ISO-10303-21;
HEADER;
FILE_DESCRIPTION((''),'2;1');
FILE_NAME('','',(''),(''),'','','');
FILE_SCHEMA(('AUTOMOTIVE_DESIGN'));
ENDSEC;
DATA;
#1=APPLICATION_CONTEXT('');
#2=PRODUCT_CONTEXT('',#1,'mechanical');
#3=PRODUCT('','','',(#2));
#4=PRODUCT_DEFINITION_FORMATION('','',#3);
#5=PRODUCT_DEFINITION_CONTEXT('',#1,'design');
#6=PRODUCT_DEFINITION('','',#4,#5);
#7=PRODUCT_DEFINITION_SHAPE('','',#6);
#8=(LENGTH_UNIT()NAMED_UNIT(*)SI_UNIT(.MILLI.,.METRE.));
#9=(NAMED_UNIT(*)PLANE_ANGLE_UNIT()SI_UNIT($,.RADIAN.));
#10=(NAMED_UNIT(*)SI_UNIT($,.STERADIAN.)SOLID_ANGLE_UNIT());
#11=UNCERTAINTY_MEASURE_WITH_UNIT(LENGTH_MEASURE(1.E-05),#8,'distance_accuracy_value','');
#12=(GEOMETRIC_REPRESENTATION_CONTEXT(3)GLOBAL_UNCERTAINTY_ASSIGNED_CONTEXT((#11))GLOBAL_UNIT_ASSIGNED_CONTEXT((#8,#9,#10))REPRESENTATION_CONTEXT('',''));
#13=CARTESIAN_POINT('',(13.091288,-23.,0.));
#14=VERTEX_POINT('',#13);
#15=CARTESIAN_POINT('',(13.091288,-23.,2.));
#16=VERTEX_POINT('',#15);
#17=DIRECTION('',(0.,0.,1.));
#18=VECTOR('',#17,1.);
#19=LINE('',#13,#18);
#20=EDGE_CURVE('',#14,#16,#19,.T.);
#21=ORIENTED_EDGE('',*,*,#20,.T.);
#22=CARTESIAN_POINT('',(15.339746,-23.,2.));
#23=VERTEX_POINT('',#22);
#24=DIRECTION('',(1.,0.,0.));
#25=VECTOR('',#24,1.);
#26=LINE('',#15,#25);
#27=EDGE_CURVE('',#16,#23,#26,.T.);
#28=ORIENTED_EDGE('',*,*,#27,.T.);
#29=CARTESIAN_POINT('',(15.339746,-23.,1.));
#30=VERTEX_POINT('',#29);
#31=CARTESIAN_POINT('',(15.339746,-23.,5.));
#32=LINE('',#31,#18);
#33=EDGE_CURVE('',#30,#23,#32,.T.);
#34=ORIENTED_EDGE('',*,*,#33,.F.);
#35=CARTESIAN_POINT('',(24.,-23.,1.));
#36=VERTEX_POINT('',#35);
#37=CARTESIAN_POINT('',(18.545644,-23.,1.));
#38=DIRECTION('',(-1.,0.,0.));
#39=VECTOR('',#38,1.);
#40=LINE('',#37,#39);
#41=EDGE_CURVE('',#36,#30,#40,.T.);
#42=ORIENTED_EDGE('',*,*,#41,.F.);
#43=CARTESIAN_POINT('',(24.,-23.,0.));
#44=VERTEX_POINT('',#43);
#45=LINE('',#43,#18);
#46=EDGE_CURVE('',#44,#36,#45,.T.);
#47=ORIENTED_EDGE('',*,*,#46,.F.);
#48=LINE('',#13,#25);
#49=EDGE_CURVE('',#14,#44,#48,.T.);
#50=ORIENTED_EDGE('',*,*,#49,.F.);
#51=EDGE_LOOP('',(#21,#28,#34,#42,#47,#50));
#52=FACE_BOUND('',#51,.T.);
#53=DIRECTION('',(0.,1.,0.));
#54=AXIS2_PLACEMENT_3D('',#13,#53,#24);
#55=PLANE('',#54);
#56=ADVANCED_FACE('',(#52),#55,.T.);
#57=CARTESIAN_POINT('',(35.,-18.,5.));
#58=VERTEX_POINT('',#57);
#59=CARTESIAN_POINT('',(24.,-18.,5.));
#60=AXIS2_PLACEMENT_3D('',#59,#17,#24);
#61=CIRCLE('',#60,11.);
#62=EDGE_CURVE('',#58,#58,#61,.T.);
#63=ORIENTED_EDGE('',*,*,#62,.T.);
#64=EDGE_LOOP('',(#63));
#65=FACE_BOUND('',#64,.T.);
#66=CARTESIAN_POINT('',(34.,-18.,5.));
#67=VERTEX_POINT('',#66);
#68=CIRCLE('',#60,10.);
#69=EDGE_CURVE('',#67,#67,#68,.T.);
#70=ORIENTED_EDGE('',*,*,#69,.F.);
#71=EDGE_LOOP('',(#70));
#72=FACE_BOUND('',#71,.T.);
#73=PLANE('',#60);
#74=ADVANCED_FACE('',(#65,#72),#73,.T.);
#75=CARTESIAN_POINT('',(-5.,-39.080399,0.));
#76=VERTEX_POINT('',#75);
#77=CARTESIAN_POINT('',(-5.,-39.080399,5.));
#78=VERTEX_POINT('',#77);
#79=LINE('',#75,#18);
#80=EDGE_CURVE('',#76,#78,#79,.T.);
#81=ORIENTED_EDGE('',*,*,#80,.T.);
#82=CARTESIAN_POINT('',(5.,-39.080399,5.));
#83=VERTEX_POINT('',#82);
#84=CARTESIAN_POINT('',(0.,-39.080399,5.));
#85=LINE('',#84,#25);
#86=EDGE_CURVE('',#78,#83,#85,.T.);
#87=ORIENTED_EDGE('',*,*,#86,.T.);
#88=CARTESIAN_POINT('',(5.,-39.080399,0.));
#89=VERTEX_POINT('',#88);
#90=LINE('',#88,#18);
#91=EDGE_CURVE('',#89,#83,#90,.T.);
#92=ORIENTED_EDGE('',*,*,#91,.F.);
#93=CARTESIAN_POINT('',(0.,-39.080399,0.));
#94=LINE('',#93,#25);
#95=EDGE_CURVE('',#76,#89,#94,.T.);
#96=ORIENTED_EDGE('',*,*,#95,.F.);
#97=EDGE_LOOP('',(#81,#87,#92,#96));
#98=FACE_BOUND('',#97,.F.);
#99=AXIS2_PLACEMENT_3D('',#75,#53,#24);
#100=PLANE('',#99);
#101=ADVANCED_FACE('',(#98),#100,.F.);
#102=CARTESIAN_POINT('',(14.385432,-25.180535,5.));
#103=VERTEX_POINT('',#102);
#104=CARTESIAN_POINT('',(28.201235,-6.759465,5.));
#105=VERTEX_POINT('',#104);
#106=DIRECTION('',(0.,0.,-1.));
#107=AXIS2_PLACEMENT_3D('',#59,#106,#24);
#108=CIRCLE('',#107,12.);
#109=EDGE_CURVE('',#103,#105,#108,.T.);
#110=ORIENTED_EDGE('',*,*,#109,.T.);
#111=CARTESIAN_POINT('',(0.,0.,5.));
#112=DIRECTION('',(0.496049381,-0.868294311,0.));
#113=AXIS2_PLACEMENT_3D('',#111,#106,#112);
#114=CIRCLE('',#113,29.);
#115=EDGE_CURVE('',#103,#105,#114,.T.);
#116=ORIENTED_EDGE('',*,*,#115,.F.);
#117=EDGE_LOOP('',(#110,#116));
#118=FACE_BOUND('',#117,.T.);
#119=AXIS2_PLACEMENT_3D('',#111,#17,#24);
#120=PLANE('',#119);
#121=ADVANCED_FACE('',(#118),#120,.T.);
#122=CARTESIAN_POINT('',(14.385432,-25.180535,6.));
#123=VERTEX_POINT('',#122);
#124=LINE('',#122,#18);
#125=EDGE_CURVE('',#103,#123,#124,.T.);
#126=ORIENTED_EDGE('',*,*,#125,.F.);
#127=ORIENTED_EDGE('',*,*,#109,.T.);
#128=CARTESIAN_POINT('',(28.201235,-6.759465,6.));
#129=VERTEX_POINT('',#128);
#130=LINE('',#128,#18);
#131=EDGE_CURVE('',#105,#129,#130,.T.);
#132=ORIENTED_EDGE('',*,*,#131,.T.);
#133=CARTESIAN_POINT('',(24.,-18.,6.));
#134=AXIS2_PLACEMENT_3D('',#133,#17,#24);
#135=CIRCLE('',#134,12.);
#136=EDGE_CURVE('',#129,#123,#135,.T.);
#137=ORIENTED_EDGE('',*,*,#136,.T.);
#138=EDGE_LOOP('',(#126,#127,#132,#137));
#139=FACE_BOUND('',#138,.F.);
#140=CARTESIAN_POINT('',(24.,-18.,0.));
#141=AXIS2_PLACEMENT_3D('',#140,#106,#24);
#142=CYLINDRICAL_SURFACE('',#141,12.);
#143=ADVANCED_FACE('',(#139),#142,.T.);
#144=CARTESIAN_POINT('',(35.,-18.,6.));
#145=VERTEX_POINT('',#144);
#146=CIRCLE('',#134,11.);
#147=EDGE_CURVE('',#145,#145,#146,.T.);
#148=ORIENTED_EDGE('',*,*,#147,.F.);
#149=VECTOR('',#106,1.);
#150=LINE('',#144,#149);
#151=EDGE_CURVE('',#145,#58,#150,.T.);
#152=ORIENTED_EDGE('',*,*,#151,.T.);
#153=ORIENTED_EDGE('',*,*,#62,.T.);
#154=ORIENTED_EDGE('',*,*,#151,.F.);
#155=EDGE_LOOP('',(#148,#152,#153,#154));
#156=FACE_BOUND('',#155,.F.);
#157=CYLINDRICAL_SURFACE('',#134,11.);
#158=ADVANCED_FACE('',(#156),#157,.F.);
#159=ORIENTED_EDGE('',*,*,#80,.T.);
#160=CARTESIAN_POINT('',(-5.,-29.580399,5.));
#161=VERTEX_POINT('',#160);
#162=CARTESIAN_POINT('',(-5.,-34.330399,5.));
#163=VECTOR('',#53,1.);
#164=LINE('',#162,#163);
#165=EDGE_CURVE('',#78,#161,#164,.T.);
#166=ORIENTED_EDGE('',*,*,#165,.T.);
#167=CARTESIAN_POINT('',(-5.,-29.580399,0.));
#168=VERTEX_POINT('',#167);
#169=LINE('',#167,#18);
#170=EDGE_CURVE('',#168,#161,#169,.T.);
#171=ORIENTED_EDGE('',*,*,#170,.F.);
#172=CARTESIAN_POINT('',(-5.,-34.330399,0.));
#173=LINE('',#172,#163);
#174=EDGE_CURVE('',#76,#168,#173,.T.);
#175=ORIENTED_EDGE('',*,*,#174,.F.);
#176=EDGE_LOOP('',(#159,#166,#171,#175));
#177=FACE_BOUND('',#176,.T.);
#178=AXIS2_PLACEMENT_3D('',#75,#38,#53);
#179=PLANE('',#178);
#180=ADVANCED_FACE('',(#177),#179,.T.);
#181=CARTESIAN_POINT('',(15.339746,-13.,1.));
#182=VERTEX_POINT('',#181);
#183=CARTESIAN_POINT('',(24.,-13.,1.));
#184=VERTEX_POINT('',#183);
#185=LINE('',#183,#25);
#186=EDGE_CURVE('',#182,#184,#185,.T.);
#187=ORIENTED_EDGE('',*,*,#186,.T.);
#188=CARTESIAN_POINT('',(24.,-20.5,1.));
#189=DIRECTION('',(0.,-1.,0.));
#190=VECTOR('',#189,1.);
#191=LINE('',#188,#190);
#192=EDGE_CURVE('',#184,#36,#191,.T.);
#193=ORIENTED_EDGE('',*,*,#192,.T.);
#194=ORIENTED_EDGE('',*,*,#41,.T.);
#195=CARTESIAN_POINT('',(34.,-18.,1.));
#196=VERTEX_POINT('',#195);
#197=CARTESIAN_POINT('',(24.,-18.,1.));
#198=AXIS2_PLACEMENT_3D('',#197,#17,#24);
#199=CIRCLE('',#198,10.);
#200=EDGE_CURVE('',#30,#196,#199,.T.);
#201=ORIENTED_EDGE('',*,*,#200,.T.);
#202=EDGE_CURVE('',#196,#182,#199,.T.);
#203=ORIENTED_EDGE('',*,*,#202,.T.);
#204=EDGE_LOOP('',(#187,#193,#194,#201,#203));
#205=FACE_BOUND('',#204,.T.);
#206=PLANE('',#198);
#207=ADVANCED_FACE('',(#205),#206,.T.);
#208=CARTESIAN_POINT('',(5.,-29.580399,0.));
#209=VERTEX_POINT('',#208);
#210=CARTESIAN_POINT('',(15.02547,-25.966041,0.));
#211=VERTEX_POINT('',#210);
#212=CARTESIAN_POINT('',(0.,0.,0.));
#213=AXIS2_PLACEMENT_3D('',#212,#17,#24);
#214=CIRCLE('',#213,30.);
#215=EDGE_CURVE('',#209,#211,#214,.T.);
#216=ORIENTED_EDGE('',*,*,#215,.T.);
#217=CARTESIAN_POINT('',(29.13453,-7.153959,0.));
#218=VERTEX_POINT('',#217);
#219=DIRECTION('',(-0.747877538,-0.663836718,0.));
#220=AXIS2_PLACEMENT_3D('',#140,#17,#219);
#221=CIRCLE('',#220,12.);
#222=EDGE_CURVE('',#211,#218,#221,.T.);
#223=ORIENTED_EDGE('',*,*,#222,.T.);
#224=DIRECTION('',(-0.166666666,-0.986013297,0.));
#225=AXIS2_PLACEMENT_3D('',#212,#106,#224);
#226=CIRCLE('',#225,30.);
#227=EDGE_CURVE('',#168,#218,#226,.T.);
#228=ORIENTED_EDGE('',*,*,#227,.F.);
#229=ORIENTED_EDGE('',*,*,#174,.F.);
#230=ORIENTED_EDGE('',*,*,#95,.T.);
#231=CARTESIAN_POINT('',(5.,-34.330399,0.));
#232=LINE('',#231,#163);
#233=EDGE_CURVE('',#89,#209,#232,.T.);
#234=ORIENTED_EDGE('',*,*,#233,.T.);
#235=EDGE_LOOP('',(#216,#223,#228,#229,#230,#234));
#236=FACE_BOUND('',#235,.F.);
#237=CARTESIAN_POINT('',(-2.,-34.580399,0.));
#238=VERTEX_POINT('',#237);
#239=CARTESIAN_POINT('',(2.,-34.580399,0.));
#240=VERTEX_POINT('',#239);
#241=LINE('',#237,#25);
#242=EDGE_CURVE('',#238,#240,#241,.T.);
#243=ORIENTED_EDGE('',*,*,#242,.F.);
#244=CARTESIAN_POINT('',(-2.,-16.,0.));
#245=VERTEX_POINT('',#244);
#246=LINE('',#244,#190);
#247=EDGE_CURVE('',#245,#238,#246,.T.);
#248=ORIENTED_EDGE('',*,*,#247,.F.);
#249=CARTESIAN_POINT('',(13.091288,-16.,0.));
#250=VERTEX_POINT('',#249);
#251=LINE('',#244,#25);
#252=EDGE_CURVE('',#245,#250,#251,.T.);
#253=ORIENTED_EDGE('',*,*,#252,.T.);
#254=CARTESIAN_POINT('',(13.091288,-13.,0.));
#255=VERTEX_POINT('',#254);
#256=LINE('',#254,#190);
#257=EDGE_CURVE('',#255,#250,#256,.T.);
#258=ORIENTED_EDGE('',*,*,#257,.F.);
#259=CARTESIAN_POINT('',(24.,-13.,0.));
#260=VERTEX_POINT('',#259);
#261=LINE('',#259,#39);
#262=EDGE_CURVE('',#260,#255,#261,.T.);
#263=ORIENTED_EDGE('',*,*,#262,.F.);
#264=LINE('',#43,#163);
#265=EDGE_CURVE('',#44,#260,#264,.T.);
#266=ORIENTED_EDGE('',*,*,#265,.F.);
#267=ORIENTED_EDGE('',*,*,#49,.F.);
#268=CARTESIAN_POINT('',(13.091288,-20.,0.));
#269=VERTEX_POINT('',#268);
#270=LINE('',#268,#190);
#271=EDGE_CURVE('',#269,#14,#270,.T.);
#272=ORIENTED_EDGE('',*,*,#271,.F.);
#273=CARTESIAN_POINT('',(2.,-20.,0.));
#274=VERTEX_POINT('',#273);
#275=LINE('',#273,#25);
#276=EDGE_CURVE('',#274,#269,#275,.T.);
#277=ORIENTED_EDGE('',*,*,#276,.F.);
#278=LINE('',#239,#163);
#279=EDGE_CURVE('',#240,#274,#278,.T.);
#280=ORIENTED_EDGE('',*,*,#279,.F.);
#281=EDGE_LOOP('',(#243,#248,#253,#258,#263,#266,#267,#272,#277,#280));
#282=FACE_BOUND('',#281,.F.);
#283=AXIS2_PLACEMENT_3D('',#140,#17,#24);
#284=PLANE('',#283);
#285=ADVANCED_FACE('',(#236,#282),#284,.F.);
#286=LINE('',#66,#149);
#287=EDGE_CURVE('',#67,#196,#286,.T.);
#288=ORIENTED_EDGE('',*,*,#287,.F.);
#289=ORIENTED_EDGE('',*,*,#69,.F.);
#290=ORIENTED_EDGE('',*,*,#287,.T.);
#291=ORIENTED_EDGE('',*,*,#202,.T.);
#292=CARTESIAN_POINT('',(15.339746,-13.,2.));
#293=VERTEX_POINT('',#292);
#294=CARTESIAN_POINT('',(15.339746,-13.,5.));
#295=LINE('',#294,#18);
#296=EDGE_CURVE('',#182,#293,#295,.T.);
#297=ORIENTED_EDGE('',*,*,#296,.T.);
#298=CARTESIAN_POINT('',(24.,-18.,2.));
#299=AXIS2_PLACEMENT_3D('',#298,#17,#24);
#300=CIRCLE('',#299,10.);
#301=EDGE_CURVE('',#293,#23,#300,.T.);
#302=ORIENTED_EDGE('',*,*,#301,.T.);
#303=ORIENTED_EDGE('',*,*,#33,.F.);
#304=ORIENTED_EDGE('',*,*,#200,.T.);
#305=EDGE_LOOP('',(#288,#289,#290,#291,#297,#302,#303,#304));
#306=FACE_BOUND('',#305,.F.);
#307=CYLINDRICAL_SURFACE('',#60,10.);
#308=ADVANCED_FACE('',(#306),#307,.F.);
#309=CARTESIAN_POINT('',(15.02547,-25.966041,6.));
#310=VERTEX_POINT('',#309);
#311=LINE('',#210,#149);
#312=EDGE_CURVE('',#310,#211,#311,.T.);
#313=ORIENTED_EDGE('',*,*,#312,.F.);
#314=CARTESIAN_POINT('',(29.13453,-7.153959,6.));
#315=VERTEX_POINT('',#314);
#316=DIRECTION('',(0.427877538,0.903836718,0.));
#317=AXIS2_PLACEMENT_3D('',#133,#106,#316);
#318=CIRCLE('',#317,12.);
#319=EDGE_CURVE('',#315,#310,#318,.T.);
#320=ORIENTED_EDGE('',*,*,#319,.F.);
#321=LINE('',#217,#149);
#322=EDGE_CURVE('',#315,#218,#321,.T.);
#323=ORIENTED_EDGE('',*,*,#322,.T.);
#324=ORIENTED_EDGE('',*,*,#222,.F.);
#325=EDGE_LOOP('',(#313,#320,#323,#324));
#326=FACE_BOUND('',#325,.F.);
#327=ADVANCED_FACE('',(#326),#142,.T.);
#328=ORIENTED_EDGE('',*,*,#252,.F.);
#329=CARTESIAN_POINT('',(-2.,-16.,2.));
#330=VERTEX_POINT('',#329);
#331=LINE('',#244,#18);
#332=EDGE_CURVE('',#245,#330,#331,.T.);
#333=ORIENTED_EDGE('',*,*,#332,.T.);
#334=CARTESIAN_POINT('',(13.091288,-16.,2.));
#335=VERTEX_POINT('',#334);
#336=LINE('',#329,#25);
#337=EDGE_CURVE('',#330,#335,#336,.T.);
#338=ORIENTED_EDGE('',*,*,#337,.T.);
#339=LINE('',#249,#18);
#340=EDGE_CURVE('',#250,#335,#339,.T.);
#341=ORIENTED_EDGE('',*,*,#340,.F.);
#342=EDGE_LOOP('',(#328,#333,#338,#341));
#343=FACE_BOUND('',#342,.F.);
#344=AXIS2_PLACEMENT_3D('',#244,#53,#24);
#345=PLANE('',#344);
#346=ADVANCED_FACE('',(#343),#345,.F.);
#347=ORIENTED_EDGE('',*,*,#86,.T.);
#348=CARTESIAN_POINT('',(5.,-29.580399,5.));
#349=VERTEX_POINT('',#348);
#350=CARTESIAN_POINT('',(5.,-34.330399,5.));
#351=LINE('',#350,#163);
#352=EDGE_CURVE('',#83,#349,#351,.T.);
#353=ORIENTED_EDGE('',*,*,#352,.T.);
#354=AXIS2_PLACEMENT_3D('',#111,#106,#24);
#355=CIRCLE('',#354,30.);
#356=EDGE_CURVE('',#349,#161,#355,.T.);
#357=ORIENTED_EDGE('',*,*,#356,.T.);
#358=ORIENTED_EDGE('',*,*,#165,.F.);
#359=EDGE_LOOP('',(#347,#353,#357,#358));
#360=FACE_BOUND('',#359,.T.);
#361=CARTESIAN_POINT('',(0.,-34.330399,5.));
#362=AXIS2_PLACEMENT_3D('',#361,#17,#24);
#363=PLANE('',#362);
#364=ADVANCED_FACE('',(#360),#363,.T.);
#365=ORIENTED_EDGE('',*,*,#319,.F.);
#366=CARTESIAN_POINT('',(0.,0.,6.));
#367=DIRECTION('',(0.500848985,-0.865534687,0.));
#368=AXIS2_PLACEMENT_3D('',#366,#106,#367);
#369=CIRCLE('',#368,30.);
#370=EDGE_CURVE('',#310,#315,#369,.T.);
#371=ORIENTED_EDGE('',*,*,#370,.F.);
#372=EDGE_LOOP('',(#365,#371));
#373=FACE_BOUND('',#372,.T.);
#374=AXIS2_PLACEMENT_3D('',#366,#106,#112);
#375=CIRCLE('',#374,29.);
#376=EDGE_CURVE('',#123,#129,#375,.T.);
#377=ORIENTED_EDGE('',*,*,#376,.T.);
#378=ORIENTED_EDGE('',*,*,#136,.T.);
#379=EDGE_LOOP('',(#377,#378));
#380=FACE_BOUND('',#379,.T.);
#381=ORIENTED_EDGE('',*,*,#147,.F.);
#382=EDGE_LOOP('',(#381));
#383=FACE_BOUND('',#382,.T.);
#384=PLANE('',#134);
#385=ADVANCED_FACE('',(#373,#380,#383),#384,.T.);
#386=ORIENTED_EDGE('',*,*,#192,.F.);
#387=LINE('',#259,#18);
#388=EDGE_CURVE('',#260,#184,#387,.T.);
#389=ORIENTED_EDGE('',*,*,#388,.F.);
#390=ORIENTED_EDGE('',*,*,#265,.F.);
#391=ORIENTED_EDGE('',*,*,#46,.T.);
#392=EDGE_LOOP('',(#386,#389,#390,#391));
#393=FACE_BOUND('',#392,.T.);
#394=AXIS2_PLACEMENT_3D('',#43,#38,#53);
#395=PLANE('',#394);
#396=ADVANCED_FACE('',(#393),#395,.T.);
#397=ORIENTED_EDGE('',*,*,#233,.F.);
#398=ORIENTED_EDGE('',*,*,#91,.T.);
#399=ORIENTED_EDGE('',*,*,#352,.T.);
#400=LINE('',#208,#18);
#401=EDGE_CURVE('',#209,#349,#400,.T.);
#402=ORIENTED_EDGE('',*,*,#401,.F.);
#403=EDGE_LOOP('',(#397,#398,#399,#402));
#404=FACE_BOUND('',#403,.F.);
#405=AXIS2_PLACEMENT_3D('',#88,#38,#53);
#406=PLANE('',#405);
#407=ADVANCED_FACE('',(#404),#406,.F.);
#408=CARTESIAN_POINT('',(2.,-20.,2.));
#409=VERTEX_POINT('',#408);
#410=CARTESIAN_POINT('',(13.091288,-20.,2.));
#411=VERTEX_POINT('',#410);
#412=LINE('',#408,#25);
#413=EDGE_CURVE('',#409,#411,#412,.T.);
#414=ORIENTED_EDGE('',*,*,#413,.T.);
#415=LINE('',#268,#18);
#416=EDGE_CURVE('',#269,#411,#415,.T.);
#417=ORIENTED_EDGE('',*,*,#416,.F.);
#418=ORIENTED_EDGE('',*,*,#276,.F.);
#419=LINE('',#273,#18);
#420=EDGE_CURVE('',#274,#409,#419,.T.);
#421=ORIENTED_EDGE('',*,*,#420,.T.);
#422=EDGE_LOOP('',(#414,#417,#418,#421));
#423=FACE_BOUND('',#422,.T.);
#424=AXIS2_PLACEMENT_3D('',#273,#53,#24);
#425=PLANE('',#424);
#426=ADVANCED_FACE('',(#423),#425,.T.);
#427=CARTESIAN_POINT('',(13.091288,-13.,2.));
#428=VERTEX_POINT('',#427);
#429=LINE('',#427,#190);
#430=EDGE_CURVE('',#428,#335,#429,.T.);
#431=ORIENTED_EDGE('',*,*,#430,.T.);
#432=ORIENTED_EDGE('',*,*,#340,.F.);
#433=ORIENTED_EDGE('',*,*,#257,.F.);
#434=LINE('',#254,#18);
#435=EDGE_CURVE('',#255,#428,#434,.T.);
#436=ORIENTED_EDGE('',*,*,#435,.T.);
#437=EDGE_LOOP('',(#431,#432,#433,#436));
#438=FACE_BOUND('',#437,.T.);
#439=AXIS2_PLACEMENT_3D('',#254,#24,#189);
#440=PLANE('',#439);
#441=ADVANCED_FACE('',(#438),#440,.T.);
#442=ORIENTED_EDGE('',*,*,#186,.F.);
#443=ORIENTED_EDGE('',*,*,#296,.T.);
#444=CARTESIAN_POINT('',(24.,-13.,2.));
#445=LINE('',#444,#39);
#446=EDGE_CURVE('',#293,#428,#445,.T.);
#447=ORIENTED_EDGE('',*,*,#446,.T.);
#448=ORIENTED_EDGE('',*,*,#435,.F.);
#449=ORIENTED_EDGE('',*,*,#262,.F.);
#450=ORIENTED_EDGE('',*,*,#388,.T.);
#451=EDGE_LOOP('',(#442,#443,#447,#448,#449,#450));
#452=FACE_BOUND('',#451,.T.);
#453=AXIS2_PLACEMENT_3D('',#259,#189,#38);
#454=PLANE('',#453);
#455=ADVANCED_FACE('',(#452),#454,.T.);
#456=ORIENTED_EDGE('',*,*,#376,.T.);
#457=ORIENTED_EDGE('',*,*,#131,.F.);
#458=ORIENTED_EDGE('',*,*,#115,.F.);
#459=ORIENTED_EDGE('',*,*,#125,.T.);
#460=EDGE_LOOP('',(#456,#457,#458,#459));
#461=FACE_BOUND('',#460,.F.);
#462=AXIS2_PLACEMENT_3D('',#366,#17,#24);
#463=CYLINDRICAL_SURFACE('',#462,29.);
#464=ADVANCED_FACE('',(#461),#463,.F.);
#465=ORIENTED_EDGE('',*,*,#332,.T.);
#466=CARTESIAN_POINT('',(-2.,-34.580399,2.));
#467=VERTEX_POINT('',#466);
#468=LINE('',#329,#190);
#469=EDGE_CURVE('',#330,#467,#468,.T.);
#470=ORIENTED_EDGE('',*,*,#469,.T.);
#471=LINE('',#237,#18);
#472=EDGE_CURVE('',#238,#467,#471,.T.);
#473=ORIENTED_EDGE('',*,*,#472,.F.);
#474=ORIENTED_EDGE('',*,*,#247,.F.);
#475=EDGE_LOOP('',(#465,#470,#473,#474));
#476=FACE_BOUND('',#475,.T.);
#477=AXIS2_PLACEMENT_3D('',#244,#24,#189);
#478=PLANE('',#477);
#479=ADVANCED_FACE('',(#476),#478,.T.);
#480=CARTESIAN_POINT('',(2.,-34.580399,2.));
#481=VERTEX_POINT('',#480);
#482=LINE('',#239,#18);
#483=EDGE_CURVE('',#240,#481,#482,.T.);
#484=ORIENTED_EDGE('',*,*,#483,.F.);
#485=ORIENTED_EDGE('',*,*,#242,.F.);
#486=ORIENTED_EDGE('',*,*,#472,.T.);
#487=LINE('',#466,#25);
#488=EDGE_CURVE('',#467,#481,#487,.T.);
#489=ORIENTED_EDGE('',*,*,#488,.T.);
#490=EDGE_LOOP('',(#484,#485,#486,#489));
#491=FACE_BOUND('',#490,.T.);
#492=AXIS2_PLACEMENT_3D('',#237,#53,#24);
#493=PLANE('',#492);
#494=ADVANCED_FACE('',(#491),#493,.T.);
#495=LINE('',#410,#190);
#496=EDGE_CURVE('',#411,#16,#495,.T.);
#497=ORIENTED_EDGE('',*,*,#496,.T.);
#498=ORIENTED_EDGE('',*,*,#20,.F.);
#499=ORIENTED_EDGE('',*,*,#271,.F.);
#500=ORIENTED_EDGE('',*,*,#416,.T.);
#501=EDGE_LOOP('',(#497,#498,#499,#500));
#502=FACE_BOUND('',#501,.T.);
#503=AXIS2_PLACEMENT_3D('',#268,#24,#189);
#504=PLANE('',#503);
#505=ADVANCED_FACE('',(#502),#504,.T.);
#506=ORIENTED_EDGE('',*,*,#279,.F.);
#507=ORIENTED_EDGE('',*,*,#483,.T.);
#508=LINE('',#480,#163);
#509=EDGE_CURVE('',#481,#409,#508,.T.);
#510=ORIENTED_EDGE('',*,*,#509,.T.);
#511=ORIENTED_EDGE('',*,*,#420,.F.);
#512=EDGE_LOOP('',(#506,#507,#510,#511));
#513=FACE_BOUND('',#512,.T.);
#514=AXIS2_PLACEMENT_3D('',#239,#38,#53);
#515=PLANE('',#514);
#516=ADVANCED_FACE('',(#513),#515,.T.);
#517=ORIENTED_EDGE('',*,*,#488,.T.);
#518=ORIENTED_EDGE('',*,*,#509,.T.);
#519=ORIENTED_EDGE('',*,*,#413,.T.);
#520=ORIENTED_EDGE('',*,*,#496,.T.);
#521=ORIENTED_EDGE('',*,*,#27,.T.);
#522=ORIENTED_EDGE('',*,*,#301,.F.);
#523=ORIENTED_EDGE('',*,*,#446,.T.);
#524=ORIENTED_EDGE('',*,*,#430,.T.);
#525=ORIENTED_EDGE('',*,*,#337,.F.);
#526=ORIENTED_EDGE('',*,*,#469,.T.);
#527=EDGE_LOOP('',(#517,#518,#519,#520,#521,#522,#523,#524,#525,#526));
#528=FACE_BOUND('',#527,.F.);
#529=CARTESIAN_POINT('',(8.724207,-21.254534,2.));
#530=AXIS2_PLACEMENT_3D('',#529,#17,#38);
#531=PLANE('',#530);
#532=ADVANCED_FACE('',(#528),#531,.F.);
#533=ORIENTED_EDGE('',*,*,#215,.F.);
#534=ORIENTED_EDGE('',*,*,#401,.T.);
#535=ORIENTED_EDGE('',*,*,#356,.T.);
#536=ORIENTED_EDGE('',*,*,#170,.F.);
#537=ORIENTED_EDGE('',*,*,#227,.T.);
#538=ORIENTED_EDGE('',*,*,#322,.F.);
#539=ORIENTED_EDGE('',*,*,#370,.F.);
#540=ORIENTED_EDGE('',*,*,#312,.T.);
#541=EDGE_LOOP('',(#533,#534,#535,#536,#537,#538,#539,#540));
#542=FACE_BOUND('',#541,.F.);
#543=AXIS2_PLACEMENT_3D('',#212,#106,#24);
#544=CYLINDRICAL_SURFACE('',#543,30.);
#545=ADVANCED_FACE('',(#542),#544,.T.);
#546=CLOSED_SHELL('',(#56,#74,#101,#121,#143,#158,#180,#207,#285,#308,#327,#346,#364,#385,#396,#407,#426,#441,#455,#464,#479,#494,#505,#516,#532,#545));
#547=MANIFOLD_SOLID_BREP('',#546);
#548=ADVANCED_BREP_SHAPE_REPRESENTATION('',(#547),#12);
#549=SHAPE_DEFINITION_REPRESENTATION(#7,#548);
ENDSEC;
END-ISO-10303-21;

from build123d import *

# Parameters (mm, degrees)
SKETCH_R        = 30
PAD_DEPTH       = 6
SKETCH006_R     = 29
POCKET_DEPTH    = 1
SKETCH007_W     = 10
SKETCH007_H     = 9.5
PAD001_DEPTH    = 5
SKETCH002_R     = 12
PAD002_DEPTH    = 6
SKETCH003_R     = 11
POCKET001_DEPTH = 1
SKETCH004_R     = 10
POCKET002_DEPTH = 4
POCKET003_DEPTH = 2


with BuildPart() as part:
    # Sketch → Pad (new body)
    with BuildSketch(Plane.XY):
        Circle(SKETCH_R)
    extrude(amount=PAD_DEPTH)

    # Sketch006 (on Face3 of Pad) → Pocket (cut)
    with BuildSketch(Plane.XY.offset(6)):
        Circle(SKETCH006_R)
    extrude(amount=-POCKET_DEPTH, mode=Mode.SUBTRACT)

    # Sketch007 → Pad001 (join)
    with BuildSketch(Plane.XY):
        with Locations((0, -34.330399)):
            Rectangle(SKETCH007_W, SKETCH007_H)
    extrude(amount=PAD001_DEPTH)

    # Sketch002 → Pad002 (join)
    with BuildSketch(Plane.XY):
        with Locations((24, -18)):
            Circle(SKETCH002_R)
    extrude(amount=PAD002_DEPTH)

    # Sketch003 (on Face14 of Pad002) → Pocket001 (cut)
    with BuildSketch(Plane.XY.offset(6)):
        with Locations((24, -18)):
            Circle(SKETCH003_R)
    extrude(amount=-POCKET001_DEPTH, mode=Mode.SUBTRACT)

    # Sketch004 (on Face24 of Pocket001) → Pocket002 (cut)
    with BuildSketch(Plane.XY.offset(5)):
        with Locations((24, -18)):
            Circle(SKETCH004_R)
    extrude(amount=-POCKET002_DEPTH, mode=Mode.SUBTRACT)

    # Sketch005 → Pocket003 (cut)
    with BuildSketch(Plane(origin=(0, 0, 0), x_dir=(1, 0, 0), z_dir=(0, 0, -1))):
        Polygon((13.091288, 23), (24, 23), (24, 13), (13.091288, 13), (13.091288, 16), (0, 16), (-2, 16), (-2, 34.580399), (2, 34.580399), (2, 20), (13.091288, 20), align=None)
    extrude(amount=-POCKET003_DEPTH, mode=Mode.SUBTRACT)


solid = part.part
